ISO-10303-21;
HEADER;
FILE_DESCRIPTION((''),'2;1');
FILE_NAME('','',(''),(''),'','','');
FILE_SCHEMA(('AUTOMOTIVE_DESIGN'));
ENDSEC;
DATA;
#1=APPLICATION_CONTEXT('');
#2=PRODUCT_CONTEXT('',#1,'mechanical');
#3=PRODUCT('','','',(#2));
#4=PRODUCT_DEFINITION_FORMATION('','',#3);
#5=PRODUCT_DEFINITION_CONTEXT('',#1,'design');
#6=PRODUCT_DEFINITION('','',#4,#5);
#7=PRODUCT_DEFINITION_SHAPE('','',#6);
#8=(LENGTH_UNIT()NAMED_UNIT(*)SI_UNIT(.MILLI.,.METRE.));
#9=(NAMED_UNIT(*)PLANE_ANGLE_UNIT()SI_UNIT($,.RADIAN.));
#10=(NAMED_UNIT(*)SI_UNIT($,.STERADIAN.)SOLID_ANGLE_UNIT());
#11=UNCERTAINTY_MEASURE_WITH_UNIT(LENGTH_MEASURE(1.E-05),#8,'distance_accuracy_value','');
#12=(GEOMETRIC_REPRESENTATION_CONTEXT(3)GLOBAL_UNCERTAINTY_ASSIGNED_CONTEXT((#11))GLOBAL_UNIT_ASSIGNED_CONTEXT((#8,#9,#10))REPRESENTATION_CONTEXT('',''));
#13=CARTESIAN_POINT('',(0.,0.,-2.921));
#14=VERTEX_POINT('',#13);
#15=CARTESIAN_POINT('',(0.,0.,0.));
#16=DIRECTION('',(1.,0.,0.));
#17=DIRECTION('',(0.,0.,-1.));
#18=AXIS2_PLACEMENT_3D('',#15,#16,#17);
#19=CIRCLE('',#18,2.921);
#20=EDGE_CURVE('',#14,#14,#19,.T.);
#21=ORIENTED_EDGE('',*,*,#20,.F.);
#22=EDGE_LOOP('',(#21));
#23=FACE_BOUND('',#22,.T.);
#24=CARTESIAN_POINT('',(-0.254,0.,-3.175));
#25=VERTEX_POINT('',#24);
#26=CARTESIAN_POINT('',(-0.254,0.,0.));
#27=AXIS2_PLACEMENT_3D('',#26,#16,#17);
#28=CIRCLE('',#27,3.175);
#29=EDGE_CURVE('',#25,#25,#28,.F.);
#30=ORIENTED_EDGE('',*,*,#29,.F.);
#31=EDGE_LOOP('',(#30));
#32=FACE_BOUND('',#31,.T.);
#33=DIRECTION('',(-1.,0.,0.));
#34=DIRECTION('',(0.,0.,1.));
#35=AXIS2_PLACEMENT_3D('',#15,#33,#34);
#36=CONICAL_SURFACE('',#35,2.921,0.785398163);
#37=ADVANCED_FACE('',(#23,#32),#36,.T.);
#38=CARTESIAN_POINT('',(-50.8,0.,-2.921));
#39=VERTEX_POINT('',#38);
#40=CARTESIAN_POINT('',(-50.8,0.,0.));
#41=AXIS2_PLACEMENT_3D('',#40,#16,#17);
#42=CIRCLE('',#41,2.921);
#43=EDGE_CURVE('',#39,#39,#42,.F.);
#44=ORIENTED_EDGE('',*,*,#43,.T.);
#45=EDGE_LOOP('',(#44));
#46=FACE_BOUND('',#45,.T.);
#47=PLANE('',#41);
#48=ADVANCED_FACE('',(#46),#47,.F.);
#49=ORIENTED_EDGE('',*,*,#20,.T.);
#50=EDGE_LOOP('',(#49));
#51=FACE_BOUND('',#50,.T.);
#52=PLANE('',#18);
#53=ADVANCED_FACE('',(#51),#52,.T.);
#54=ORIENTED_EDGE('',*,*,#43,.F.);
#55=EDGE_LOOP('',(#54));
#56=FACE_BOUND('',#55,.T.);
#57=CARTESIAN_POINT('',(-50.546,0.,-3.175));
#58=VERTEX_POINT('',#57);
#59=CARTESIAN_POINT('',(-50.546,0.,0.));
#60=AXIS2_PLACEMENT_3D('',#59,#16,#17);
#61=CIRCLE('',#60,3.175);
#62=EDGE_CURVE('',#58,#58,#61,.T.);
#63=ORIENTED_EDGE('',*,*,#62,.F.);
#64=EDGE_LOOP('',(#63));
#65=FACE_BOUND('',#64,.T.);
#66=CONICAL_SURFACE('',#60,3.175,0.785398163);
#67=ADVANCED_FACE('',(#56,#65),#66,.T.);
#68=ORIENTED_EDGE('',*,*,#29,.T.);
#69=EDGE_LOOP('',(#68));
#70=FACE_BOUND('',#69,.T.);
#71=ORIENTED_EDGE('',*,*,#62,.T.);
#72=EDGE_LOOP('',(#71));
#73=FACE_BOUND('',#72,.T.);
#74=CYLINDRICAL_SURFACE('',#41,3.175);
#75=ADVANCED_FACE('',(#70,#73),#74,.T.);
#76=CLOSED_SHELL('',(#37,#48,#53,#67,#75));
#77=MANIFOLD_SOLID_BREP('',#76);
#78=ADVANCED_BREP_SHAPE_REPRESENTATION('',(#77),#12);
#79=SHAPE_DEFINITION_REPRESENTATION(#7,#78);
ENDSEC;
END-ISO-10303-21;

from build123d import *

# Parameters (mm, degrees)
SKETCH1_R           = 3.175
BOSS_EXTRUDE1_DEPTH = 50.8
CHAMFER1_SIZE       = 0.254


with BuildPart() as part:
    # Sketch1 → Boss-Extrude1 (new body)
    with BuildSketch(Plane(origin=(0, 0, 0), x_dir=(0, 0, -1), z_dir=(1, 0, 0))):
        Circle(SKETCH1_R)
    extrude(amount=-BOSS_EXTRUDE1_DEPTH)

    # Chamfer1
    chamfer1_edges = [part.edges().sort_by_distance(p)[0] for p in [
        (0, 0, 3.175),
        (-50.8, 0, 3.175),
    ]]
    chamfer(chamfer1_edges, length=CHAMFER1_SIZE)


solid = part.part
